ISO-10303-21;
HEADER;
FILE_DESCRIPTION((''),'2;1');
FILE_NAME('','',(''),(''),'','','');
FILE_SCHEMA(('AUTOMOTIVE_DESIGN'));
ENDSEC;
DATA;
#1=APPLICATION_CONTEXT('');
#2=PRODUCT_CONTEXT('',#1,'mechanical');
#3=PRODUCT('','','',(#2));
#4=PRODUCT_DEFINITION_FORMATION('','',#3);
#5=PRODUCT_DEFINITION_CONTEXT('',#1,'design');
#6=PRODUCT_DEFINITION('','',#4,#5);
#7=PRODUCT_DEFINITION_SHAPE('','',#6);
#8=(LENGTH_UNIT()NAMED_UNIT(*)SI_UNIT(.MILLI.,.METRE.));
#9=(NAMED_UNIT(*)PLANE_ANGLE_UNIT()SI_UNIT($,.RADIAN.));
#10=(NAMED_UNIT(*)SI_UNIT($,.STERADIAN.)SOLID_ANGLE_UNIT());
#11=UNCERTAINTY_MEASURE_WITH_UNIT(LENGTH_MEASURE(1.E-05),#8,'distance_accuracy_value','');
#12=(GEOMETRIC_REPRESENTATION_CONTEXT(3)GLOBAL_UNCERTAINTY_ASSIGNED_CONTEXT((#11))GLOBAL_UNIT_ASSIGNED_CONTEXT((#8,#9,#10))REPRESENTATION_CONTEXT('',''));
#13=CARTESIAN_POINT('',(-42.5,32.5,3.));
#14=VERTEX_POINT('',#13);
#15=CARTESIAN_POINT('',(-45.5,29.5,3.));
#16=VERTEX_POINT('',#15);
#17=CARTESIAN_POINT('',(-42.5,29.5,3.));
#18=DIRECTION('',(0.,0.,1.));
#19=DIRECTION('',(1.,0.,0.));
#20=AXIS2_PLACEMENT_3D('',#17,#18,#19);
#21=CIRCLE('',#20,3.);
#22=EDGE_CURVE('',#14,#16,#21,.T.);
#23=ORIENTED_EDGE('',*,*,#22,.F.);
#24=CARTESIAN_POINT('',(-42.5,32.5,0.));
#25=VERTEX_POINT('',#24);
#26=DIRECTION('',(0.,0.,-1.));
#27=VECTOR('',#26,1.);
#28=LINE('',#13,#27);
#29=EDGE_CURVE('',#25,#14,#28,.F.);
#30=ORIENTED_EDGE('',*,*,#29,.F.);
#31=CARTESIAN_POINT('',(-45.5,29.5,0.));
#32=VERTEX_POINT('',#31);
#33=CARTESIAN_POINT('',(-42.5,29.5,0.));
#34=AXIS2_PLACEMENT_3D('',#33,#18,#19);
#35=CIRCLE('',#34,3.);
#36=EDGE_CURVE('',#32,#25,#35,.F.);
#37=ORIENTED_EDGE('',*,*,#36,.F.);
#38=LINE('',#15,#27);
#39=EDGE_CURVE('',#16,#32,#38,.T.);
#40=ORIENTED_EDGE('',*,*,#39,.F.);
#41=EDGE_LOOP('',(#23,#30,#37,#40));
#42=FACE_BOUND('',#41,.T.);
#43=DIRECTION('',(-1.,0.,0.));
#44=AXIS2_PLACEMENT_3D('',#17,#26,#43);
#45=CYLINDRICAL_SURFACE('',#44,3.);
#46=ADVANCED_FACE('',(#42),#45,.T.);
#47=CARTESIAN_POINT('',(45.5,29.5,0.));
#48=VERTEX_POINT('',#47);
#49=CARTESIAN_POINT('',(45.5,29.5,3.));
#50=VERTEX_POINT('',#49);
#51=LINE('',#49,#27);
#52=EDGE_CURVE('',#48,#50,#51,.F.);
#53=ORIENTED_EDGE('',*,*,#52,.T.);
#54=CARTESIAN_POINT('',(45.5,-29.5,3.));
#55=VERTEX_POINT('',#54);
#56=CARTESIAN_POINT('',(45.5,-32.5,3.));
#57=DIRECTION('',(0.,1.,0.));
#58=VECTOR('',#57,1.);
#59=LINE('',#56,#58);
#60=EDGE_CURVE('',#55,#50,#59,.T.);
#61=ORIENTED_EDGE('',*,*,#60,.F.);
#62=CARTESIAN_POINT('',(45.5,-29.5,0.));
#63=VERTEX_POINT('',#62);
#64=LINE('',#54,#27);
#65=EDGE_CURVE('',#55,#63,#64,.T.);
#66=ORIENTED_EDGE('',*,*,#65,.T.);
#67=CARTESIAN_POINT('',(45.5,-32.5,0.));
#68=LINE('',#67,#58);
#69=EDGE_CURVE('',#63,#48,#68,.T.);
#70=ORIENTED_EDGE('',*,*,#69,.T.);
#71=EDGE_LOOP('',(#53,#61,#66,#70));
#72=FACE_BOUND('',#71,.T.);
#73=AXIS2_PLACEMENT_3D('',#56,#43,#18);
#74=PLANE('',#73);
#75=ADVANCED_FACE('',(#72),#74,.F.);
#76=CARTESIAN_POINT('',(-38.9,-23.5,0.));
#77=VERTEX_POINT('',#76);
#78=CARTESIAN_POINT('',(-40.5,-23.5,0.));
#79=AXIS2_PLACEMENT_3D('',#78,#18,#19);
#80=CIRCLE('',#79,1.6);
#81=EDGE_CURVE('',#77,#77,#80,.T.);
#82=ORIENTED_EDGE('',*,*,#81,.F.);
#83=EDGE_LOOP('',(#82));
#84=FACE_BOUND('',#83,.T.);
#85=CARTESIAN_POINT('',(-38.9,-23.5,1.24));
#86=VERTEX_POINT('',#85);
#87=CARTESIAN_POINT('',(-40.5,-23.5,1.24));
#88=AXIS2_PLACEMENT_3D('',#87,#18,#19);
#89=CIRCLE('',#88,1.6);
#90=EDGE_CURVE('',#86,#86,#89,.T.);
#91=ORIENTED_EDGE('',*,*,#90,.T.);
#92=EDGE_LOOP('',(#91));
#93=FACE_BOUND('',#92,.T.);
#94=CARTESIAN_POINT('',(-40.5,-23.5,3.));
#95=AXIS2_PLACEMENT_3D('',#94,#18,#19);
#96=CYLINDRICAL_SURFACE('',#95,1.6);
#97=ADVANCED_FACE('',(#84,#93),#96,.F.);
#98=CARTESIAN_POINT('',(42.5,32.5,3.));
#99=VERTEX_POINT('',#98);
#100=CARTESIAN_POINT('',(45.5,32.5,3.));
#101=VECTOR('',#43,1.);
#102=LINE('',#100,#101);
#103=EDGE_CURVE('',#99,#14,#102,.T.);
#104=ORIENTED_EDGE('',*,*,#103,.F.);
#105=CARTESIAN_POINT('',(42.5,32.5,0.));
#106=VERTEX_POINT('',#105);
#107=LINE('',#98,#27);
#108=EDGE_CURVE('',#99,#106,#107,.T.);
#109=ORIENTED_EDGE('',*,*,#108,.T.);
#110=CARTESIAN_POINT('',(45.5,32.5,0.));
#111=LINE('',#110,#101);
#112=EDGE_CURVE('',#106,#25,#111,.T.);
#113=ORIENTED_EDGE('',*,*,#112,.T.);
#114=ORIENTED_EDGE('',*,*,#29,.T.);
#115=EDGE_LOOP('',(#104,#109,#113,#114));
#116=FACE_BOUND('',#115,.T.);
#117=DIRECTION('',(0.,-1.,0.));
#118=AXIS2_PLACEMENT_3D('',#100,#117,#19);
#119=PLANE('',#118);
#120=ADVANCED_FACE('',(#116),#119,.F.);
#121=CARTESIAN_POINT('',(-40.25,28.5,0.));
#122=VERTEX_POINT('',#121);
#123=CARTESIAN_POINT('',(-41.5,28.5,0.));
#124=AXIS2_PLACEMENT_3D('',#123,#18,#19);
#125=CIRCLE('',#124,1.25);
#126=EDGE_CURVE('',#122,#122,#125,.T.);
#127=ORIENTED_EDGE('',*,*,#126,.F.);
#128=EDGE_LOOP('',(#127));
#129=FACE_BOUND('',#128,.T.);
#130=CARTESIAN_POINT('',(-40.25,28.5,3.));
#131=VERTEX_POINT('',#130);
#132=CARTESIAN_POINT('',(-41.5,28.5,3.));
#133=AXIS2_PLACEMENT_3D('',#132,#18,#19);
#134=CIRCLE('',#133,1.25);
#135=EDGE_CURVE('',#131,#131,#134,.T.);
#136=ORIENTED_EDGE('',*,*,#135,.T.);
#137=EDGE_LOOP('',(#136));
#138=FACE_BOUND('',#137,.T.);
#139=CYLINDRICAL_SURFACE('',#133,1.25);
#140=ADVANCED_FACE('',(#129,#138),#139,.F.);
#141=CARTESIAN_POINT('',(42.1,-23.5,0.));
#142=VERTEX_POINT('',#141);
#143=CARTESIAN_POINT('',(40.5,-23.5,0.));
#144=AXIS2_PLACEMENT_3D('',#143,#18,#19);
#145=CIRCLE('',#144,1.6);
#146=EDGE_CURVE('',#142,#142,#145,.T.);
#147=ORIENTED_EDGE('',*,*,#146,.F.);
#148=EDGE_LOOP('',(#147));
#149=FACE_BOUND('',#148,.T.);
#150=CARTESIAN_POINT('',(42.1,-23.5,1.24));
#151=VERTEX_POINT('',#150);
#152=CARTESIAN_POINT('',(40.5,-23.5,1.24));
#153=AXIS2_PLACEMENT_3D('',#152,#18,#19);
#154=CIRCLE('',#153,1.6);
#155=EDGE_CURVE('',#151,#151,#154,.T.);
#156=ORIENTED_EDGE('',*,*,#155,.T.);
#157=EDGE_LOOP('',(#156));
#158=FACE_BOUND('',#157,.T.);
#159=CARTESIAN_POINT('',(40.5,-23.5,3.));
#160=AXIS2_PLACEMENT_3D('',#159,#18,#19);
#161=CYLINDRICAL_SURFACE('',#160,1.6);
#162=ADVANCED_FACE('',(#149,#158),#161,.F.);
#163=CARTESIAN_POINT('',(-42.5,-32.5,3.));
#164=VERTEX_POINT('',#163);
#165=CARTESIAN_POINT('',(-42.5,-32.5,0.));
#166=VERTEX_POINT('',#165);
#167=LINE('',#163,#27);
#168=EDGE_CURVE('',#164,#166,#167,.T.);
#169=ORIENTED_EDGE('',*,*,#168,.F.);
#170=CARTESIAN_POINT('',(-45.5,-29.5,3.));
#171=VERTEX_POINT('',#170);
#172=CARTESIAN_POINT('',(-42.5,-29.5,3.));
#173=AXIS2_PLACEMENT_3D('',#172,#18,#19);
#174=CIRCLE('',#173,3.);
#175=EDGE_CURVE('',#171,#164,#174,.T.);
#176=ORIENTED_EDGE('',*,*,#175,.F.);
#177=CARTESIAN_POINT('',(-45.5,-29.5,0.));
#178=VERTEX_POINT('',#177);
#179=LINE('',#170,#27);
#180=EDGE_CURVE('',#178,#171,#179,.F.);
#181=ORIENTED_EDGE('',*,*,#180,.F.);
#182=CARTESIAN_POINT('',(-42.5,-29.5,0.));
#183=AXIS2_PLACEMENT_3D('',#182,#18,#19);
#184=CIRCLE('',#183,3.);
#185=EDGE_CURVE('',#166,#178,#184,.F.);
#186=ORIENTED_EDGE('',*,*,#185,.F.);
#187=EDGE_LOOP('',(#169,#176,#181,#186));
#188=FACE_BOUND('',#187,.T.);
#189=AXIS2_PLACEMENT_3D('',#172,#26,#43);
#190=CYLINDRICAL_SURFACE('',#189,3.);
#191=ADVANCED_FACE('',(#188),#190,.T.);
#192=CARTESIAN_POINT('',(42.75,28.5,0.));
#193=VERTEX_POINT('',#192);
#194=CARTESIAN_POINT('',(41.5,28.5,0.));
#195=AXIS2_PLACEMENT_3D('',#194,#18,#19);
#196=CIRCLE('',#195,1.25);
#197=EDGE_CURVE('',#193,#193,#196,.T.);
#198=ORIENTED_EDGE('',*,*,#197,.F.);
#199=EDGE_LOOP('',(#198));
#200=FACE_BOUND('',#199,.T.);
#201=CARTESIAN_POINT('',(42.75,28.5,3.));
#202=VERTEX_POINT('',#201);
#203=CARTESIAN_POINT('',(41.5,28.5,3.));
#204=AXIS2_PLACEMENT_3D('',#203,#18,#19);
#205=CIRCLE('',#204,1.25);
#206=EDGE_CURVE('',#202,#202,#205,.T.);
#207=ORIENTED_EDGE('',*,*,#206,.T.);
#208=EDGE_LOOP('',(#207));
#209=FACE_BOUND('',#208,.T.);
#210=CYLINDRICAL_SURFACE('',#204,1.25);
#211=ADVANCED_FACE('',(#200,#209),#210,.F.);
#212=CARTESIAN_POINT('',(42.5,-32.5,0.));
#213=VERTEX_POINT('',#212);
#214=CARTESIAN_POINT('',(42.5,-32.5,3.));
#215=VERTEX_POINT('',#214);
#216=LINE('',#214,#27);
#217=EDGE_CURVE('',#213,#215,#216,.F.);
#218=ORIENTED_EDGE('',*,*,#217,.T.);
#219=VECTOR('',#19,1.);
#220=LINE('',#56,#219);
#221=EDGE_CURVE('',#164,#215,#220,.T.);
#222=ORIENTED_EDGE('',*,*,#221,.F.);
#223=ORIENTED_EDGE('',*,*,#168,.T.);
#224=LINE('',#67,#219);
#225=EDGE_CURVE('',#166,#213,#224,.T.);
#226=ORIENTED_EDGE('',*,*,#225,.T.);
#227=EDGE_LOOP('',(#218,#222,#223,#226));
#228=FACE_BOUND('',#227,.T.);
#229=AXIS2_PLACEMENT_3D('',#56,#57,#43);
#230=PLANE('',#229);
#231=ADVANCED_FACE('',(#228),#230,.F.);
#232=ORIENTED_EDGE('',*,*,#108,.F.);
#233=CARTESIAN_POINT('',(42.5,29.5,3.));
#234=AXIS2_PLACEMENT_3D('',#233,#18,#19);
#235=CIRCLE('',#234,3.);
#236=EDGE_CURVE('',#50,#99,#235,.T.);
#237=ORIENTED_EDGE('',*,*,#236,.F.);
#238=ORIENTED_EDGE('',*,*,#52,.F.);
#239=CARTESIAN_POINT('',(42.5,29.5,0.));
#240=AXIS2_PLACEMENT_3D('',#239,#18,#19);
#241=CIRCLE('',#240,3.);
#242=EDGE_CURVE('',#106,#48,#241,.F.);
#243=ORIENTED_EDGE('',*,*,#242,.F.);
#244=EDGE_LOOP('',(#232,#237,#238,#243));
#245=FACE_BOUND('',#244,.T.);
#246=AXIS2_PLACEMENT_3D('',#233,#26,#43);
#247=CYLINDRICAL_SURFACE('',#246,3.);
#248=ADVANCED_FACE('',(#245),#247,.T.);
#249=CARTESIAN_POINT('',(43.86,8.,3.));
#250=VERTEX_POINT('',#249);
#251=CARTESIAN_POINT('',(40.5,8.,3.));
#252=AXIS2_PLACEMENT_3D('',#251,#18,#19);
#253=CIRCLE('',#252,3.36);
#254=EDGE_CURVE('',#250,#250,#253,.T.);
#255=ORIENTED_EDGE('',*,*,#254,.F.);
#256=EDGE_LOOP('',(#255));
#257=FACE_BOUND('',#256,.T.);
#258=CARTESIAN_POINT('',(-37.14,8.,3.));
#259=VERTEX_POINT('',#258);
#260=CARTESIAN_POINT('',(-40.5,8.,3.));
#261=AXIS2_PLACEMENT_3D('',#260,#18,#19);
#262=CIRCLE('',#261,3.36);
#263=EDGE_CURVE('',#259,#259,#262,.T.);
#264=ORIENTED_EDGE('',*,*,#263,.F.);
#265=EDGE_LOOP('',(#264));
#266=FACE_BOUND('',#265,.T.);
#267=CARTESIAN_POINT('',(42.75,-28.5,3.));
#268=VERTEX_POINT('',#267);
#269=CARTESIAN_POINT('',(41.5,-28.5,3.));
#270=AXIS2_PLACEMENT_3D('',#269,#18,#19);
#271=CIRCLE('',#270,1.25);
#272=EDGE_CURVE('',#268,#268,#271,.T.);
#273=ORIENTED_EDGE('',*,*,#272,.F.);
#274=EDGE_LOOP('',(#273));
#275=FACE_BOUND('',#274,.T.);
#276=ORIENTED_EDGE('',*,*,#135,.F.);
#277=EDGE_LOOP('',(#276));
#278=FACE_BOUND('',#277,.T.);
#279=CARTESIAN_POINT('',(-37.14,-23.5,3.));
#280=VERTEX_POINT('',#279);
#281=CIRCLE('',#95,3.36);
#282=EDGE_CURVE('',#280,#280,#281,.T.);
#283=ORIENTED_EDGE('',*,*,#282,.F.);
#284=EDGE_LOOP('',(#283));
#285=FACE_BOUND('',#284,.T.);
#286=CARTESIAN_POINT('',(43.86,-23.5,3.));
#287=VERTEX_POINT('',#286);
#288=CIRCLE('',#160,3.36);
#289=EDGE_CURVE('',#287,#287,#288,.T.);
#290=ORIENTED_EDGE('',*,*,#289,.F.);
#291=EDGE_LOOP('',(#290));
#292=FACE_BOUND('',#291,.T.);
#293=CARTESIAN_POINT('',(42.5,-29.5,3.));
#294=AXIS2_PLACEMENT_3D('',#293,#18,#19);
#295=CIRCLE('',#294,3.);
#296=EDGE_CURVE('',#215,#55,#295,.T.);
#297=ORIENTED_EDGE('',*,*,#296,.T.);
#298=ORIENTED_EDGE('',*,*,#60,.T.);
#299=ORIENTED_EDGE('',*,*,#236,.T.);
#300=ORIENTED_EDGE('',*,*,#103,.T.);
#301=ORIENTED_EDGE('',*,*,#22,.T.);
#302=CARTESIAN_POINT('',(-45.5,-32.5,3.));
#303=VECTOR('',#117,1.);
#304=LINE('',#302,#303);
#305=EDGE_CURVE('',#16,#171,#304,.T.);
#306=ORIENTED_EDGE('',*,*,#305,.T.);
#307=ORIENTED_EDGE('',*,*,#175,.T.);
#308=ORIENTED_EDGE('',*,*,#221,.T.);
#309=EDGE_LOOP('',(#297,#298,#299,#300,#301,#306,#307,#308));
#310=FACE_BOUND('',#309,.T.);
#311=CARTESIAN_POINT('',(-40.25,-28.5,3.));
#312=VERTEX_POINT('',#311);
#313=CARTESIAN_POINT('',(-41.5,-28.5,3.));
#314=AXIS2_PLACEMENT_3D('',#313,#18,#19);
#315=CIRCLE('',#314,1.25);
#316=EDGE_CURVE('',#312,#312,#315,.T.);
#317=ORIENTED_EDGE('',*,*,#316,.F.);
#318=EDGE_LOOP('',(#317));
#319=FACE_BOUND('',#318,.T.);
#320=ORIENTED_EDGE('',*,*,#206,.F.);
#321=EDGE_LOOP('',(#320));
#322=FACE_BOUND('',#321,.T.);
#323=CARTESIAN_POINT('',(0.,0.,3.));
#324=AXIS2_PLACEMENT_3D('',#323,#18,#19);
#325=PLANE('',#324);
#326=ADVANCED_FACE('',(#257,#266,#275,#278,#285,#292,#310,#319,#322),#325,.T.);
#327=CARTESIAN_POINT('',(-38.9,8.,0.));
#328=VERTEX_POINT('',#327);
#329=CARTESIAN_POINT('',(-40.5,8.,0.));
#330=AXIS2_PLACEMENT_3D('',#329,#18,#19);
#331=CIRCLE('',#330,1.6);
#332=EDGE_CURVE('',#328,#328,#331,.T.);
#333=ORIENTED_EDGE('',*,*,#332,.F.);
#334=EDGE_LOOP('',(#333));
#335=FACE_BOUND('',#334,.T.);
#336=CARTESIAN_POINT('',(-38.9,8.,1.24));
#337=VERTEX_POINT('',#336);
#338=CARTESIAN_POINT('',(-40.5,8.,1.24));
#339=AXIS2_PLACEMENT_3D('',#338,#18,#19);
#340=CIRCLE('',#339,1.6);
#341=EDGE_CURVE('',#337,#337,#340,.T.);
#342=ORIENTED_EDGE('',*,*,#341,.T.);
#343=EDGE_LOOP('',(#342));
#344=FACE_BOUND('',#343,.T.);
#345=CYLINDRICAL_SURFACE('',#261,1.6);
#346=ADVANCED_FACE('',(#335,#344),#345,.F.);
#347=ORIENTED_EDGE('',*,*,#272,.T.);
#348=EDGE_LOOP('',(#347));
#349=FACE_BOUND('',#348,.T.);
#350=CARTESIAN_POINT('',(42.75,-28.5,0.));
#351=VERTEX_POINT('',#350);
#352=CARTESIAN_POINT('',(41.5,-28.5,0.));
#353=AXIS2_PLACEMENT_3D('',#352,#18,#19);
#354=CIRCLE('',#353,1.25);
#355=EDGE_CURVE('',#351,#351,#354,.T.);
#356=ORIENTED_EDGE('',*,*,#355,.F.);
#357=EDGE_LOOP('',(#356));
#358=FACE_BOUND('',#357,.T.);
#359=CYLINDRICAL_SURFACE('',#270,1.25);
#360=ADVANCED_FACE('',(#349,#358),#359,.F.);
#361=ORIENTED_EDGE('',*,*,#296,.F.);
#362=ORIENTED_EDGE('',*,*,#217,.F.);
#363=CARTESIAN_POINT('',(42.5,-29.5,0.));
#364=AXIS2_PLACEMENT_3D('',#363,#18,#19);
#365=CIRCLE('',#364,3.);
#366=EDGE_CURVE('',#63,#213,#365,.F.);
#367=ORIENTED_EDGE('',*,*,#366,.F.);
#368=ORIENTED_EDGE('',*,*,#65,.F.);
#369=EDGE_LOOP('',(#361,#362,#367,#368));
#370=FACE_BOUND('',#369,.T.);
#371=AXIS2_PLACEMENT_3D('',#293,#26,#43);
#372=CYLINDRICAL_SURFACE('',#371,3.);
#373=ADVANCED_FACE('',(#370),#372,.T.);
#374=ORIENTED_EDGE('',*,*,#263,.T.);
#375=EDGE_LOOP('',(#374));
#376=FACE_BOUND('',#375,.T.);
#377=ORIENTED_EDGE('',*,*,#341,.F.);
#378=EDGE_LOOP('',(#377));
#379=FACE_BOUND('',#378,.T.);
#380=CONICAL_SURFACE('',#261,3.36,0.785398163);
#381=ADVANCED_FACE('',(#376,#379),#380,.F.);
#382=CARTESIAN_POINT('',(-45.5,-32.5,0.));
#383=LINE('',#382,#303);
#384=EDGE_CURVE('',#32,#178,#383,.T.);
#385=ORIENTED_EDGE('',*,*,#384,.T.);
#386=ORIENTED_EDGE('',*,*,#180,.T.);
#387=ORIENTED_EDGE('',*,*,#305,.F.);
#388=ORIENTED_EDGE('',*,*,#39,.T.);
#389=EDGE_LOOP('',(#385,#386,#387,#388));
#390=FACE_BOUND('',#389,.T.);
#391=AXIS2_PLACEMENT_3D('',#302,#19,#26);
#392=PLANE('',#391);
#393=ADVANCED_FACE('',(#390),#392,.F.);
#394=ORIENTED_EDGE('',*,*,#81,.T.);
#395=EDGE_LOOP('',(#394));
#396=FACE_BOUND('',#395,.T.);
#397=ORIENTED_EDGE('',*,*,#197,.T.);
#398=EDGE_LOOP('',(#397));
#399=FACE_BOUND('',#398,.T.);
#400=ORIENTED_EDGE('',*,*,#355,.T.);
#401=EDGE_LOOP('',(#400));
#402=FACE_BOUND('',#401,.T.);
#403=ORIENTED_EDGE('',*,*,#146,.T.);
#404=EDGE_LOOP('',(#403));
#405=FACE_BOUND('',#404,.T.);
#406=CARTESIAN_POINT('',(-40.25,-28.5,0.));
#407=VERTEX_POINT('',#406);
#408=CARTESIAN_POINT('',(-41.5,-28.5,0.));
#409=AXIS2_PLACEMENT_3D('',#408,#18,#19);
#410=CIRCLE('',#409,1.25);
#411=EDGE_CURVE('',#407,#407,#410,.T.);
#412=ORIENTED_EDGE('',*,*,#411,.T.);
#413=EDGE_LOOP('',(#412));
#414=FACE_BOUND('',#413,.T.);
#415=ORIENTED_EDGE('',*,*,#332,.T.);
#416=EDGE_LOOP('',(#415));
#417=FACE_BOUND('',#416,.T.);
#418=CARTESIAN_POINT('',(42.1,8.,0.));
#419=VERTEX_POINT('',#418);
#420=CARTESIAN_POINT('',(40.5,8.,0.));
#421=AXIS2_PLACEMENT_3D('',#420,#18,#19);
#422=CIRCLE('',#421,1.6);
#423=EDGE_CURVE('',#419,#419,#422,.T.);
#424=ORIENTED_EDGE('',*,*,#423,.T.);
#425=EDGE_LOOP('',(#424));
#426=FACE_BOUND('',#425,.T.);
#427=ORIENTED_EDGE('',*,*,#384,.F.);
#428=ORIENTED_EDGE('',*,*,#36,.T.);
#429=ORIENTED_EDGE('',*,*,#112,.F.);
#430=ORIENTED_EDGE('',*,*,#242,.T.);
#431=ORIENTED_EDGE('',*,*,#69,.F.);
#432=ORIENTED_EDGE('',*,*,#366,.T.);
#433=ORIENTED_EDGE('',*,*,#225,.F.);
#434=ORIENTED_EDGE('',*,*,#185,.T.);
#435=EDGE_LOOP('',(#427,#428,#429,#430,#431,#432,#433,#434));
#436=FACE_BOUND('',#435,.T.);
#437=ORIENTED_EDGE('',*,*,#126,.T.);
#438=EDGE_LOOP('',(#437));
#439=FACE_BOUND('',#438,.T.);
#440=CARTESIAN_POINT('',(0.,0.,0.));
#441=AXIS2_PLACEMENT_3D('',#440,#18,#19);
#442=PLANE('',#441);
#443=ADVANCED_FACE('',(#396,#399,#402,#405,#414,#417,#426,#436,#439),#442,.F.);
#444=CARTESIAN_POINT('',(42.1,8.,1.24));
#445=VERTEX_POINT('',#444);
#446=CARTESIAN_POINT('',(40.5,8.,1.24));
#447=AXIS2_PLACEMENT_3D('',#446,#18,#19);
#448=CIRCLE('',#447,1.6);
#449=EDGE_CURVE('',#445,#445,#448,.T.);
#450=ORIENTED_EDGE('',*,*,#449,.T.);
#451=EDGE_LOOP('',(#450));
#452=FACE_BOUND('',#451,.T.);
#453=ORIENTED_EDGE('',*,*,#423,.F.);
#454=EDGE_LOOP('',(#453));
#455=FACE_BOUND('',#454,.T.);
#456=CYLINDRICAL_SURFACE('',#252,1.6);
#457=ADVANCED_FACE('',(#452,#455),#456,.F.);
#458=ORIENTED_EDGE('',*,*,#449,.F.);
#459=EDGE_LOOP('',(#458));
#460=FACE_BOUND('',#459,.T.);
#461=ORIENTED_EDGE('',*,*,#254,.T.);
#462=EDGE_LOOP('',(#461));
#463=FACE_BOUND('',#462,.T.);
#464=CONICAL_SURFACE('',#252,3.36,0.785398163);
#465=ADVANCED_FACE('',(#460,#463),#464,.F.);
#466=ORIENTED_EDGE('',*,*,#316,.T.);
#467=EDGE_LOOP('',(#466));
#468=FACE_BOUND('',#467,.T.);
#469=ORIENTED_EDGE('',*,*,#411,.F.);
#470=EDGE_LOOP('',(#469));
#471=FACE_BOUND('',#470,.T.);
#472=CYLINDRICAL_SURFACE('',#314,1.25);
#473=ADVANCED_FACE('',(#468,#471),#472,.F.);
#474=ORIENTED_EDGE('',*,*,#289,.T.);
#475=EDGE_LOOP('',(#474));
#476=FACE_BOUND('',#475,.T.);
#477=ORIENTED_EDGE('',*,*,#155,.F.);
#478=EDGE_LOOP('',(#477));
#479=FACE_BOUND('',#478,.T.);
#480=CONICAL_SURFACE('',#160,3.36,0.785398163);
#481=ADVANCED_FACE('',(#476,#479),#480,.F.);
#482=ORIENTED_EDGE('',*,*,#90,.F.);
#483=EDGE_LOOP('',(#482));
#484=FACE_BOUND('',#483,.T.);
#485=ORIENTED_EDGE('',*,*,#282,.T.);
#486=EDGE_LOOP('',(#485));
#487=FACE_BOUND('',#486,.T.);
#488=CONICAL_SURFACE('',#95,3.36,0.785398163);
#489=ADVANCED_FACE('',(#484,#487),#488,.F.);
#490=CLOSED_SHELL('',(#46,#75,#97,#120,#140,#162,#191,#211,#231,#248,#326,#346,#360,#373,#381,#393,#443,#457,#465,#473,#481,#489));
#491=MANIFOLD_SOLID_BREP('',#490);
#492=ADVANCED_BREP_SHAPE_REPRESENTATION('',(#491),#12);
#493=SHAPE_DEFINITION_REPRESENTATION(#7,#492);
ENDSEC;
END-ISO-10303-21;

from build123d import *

# Parameters (mm, degrees)
SKETCH1_W                    = 91
SKETCH1_H                    = 65
BOSS_EXTRUDE1_DEPTH          = 3
TAP_DRILL_FOR_M3X0_5_TAP1_D  = 2.5
FILLET1_R                    = 3
CSK_FOR_M3_SFHCS1_AT_2_COUNT = 2
CSK_FOR_M3_SFHCS1_AT_2_PITCH = 31.5
CSK_FOR_M3_SFHCS1_AT_3_COUNT = 2
CSK_FOR_M3_SFHCS1_AT_3_PITCH = 86.909435621
CSK_FOR_M3_SFHCS1_AT_4_COUNT = 2
CSK_FOR_M3_SFHCS1_AT_4_PITCH = 81


with BuildPart() as part:
    # Sketch1 → Boss-Extrude1 (new body)
    with BuildSketch(Plane.XY):
        Rectangle(SKETCH1_W, SKETCH1_H)
    extrude(amount=BOSS_EXTRUDE1_DEPTH)

    # Tap Drill for M3x0.5 Tap1 (through all)
    with Locations(Plane.XY.offset(3)):
        with Locations((-41.5, 28.5), (41.5, 28.5), (41.5, -28.5), (-41.5, -28.5)):
            Hole(TAP_DRILL_FOR_M3X0_5_TAP1_D / 2)

    # Fillet1
    fillet1_edges = [part.edges().sort_by_distance(p)[0] for p in [
        (-45.5, 32.5, 1.5),
        (45.5, 32.5, 1.5),
        (45.5, -32.5, 1.5),
        (-45.5, -32.5, 1.5),
    ]]
    fillet(fillet1_edges, radius=FILLET1_R)

    # Sketch7 → CSK for M3 SFHCS1 (revolve, cut)
    with BuildSketch(Plane(origin=(-40.5, 8, 3), x_dir=(0, -1, 0), z_dir=(1, 0, 0))):
        Polygon((0, 0), (0, 3), (1.6, 3), (1.6, 1.76), (3.36, 0), align=None)
    csk_for_m3_sfhcs1 = revolve(axis=Axis((-40.5, 8, 9.35), (0, 0, -1)), mode=Mode.SUBTRACT)

    # CSK for M3 SFHCS1 at 2: CSK for M3 SFHCS1 ×2
    with Locations(*[(0, -i * CSK_FOR_M3_SFHCS1_AT_2_PITCH, 0) for i in range(1, CSK_FOR_M3_SFHCS1_AT_2_COUNT)]):
        add(csk_for_m3_sfhcs1, mode=Mode.SUBTRACT)

    # CSK for M3 SFHCS1 at 3: CSK for M3 SFHCS1 ×2
    with Locations(*[Vector(0.932004671541296, -0.36244626115494855, 0) * (i * CSK_FOR_M3_SFHCS1_AT_3_PITCH) for i in range(1, CSK_FOR_M3_SFHCS1_AT_3_COUNT)]):
        add(csk_for_m3_sfhcs1, mode=Mode.SUBTRACT)

    # CSK for M3 SFHCS1 at 4: CSK for M3 SFHCS1 ×2
    with Locations(*[(i * CSK_FOR_M3_SFHCS1_AT_4_PITCH, 0, 0) for i in range(1, CSK_FOR_M3_SFHCS1_AT_4_COUNT)]):
        add(csk_for_m3_sfhcs1, mode=Mode.SUBTRACT)


solid = part.part
